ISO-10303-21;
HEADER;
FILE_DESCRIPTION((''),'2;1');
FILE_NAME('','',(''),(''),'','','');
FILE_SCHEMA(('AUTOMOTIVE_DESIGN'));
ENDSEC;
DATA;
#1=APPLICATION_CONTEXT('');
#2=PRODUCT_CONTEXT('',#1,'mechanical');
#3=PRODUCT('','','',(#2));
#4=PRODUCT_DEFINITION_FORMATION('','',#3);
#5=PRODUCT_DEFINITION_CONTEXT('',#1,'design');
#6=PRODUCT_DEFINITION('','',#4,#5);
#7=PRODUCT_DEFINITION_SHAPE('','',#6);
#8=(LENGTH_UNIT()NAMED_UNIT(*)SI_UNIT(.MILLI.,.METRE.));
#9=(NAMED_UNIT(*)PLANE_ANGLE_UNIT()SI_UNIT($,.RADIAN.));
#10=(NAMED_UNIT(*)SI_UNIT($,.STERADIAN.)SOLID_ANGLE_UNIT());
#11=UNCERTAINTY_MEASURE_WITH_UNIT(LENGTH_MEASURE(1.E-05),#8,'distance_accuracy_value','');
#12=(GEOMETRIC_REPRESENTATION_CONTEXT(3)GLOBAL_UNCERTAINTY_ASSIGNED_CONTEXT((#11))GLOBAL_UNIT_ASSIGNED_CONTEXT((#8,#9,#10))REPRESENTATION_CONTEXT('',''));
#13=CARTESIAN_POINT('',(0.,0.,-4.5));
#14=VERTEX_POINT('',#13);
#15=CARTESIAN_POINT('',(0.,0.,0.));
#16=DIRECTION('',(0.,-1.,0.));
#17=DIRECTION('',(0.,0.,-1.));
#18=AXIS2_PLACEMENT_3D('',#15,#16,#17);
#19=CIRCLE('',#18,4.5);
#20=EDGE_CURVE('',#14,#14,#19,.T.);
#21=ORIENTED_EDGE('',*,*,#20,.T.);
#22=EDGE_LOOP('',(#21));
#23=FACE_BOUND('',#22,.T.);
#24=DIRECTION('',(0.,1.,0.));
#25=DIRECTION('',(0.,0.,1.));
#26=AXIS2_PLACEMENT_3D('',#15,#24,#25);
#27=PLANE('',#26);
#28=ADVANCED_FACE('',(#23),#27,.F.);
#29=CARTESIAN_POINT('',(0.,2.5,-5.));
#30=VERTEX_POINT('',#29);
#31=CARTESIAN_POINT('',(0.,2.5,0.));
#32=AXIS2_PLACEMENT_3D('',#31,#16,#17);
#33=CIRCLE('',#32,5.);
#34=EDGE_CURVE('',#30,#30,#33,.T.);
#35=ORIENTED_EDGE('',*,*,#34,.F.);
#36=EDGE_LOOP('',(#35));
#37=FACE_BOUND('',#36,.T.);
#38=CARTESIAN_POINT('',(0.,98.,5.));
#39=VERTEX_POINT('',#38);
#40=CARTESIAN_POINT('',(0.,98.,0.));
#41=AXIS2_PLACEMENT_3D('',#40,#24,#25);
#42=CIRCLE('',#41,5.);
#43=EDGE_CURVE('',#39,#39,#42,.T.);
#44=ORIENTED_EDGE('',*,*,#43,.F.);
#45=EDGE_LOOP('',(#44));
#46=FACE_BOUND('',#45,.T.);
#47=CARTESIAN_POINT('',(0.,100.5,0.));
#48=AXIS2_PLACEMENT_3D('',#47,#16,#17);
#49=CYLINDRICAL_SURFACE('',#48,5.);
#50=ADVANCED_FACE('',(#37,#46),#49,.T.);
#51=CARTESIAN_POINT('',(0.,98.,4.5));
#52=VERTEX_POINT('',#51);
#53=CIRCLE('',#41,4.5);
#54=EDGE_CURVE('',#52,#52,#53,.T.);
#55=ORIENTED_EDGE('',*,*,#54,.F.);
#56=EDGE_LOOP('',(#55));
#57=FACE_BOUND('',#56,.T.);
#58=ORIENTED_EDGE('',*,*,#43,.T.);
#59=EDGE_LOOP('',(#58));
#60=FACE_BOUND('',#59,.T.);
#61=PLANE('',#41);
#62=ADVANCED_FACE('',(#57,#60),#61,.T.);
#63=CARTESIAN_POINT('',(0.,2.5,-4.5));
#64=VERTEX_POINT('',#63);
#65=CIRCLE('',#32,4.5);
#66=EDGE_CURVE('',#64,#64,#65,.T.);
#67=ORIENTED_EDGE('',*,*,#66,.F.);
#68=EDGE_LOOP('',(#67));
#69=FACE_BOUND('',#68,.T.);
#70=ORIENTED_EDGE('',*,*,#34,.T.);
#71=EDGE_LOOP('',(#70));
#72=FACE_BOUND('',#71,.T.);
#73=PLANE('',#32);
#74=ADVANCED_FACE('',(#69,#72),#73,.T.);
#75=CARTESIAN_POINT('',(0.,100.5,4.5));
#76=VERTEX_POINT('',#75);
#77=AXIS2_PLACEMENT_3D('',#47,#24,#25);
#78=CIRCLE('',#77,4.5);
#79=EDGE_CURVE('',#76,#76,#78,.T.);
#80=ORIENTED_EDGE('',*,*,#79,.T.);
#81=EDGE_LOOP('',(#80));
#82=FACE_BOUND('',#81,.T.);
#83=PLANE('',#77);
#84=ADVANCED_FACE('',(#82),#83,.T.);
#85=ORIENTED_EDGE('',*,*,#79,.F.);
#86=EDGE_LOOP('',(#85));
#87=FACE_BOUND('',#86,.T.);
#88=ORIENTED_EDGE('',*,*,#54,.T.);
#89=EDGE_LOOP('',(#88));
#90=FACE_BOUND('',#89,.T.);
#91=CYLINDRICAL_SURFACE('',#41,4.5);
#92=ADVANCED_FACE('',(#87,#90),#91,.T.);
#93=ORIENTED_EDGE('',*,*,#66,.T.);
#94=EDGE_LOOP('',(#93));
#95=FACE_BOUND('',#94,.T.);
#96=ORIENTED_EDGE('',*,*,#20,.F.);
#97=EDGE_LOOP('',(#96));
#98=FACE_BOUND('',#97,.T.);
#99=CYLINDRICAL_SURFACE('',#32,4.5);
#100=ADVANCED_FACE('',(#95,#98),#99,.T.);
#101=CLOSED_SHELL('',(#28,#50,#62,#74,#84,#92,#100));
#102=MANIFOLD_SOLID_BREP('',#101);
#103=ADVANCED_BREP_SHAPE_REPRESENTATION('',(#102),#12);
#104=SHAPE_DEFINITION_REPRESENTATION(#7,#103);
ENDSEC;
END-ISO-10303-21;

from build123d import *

# Parameters (mm, degrees)
SKETCH1_R           = 5
BOSS_EXTRUDE1_DEPTH = 100.5
SKETCH24_R          = 5
SKETCH24_R_2        = 4.5
CUT_EXTRUDE3_DEPTH  = 2.5
SKETCH25_R          = 5
SKETCH25_R_2        = 4.5
CUT_EXTRUDE4_DEPTH  = 2.5


with BuildPart() as part:
    # Sketch1 → Boss-Extrude1 (new body)
    with BuildSketch(Plane(origin=(0, 0, 0), x_dir=(1, 0, 0), z_dir=(0, 1, 0))):
        Circle(SKETCH1_R)
    extrude(amount=BOSS_EXTRUDE1_DEPTH)

    # Sketch24 → Cut-Extrude3 (cut)
    with BuildSketch(Plane(origin=(0, 0, 0), x_dir=(-1, 0, 0), z_dir=(0, -1, 0))):
        Circle(SKETCH24_R)
        Circle(SKETCH24_R_2, mode=Mode.SUBTRACT)
    extrude(amount=-CUT_EXTRUDE3_DEPTH, mode=Mode.SUBTRACT)

    # Sketch25 → Cut-Extrude4 (cut)
    with BuildSketch(Plane(origin=(0, 100.5, 0), x_dir=(1, 0, 0), z_dir=(0, 1, 0))):
        Circle(SKETCH25_R)
        Circle(SKETCH25_R_2, mode=Mode.SUBTRACT)
    extrude(amount=-CUT_EXTRUDE4_DEPTH, mode=Mode.SUBTRACT)


solid = part.part
